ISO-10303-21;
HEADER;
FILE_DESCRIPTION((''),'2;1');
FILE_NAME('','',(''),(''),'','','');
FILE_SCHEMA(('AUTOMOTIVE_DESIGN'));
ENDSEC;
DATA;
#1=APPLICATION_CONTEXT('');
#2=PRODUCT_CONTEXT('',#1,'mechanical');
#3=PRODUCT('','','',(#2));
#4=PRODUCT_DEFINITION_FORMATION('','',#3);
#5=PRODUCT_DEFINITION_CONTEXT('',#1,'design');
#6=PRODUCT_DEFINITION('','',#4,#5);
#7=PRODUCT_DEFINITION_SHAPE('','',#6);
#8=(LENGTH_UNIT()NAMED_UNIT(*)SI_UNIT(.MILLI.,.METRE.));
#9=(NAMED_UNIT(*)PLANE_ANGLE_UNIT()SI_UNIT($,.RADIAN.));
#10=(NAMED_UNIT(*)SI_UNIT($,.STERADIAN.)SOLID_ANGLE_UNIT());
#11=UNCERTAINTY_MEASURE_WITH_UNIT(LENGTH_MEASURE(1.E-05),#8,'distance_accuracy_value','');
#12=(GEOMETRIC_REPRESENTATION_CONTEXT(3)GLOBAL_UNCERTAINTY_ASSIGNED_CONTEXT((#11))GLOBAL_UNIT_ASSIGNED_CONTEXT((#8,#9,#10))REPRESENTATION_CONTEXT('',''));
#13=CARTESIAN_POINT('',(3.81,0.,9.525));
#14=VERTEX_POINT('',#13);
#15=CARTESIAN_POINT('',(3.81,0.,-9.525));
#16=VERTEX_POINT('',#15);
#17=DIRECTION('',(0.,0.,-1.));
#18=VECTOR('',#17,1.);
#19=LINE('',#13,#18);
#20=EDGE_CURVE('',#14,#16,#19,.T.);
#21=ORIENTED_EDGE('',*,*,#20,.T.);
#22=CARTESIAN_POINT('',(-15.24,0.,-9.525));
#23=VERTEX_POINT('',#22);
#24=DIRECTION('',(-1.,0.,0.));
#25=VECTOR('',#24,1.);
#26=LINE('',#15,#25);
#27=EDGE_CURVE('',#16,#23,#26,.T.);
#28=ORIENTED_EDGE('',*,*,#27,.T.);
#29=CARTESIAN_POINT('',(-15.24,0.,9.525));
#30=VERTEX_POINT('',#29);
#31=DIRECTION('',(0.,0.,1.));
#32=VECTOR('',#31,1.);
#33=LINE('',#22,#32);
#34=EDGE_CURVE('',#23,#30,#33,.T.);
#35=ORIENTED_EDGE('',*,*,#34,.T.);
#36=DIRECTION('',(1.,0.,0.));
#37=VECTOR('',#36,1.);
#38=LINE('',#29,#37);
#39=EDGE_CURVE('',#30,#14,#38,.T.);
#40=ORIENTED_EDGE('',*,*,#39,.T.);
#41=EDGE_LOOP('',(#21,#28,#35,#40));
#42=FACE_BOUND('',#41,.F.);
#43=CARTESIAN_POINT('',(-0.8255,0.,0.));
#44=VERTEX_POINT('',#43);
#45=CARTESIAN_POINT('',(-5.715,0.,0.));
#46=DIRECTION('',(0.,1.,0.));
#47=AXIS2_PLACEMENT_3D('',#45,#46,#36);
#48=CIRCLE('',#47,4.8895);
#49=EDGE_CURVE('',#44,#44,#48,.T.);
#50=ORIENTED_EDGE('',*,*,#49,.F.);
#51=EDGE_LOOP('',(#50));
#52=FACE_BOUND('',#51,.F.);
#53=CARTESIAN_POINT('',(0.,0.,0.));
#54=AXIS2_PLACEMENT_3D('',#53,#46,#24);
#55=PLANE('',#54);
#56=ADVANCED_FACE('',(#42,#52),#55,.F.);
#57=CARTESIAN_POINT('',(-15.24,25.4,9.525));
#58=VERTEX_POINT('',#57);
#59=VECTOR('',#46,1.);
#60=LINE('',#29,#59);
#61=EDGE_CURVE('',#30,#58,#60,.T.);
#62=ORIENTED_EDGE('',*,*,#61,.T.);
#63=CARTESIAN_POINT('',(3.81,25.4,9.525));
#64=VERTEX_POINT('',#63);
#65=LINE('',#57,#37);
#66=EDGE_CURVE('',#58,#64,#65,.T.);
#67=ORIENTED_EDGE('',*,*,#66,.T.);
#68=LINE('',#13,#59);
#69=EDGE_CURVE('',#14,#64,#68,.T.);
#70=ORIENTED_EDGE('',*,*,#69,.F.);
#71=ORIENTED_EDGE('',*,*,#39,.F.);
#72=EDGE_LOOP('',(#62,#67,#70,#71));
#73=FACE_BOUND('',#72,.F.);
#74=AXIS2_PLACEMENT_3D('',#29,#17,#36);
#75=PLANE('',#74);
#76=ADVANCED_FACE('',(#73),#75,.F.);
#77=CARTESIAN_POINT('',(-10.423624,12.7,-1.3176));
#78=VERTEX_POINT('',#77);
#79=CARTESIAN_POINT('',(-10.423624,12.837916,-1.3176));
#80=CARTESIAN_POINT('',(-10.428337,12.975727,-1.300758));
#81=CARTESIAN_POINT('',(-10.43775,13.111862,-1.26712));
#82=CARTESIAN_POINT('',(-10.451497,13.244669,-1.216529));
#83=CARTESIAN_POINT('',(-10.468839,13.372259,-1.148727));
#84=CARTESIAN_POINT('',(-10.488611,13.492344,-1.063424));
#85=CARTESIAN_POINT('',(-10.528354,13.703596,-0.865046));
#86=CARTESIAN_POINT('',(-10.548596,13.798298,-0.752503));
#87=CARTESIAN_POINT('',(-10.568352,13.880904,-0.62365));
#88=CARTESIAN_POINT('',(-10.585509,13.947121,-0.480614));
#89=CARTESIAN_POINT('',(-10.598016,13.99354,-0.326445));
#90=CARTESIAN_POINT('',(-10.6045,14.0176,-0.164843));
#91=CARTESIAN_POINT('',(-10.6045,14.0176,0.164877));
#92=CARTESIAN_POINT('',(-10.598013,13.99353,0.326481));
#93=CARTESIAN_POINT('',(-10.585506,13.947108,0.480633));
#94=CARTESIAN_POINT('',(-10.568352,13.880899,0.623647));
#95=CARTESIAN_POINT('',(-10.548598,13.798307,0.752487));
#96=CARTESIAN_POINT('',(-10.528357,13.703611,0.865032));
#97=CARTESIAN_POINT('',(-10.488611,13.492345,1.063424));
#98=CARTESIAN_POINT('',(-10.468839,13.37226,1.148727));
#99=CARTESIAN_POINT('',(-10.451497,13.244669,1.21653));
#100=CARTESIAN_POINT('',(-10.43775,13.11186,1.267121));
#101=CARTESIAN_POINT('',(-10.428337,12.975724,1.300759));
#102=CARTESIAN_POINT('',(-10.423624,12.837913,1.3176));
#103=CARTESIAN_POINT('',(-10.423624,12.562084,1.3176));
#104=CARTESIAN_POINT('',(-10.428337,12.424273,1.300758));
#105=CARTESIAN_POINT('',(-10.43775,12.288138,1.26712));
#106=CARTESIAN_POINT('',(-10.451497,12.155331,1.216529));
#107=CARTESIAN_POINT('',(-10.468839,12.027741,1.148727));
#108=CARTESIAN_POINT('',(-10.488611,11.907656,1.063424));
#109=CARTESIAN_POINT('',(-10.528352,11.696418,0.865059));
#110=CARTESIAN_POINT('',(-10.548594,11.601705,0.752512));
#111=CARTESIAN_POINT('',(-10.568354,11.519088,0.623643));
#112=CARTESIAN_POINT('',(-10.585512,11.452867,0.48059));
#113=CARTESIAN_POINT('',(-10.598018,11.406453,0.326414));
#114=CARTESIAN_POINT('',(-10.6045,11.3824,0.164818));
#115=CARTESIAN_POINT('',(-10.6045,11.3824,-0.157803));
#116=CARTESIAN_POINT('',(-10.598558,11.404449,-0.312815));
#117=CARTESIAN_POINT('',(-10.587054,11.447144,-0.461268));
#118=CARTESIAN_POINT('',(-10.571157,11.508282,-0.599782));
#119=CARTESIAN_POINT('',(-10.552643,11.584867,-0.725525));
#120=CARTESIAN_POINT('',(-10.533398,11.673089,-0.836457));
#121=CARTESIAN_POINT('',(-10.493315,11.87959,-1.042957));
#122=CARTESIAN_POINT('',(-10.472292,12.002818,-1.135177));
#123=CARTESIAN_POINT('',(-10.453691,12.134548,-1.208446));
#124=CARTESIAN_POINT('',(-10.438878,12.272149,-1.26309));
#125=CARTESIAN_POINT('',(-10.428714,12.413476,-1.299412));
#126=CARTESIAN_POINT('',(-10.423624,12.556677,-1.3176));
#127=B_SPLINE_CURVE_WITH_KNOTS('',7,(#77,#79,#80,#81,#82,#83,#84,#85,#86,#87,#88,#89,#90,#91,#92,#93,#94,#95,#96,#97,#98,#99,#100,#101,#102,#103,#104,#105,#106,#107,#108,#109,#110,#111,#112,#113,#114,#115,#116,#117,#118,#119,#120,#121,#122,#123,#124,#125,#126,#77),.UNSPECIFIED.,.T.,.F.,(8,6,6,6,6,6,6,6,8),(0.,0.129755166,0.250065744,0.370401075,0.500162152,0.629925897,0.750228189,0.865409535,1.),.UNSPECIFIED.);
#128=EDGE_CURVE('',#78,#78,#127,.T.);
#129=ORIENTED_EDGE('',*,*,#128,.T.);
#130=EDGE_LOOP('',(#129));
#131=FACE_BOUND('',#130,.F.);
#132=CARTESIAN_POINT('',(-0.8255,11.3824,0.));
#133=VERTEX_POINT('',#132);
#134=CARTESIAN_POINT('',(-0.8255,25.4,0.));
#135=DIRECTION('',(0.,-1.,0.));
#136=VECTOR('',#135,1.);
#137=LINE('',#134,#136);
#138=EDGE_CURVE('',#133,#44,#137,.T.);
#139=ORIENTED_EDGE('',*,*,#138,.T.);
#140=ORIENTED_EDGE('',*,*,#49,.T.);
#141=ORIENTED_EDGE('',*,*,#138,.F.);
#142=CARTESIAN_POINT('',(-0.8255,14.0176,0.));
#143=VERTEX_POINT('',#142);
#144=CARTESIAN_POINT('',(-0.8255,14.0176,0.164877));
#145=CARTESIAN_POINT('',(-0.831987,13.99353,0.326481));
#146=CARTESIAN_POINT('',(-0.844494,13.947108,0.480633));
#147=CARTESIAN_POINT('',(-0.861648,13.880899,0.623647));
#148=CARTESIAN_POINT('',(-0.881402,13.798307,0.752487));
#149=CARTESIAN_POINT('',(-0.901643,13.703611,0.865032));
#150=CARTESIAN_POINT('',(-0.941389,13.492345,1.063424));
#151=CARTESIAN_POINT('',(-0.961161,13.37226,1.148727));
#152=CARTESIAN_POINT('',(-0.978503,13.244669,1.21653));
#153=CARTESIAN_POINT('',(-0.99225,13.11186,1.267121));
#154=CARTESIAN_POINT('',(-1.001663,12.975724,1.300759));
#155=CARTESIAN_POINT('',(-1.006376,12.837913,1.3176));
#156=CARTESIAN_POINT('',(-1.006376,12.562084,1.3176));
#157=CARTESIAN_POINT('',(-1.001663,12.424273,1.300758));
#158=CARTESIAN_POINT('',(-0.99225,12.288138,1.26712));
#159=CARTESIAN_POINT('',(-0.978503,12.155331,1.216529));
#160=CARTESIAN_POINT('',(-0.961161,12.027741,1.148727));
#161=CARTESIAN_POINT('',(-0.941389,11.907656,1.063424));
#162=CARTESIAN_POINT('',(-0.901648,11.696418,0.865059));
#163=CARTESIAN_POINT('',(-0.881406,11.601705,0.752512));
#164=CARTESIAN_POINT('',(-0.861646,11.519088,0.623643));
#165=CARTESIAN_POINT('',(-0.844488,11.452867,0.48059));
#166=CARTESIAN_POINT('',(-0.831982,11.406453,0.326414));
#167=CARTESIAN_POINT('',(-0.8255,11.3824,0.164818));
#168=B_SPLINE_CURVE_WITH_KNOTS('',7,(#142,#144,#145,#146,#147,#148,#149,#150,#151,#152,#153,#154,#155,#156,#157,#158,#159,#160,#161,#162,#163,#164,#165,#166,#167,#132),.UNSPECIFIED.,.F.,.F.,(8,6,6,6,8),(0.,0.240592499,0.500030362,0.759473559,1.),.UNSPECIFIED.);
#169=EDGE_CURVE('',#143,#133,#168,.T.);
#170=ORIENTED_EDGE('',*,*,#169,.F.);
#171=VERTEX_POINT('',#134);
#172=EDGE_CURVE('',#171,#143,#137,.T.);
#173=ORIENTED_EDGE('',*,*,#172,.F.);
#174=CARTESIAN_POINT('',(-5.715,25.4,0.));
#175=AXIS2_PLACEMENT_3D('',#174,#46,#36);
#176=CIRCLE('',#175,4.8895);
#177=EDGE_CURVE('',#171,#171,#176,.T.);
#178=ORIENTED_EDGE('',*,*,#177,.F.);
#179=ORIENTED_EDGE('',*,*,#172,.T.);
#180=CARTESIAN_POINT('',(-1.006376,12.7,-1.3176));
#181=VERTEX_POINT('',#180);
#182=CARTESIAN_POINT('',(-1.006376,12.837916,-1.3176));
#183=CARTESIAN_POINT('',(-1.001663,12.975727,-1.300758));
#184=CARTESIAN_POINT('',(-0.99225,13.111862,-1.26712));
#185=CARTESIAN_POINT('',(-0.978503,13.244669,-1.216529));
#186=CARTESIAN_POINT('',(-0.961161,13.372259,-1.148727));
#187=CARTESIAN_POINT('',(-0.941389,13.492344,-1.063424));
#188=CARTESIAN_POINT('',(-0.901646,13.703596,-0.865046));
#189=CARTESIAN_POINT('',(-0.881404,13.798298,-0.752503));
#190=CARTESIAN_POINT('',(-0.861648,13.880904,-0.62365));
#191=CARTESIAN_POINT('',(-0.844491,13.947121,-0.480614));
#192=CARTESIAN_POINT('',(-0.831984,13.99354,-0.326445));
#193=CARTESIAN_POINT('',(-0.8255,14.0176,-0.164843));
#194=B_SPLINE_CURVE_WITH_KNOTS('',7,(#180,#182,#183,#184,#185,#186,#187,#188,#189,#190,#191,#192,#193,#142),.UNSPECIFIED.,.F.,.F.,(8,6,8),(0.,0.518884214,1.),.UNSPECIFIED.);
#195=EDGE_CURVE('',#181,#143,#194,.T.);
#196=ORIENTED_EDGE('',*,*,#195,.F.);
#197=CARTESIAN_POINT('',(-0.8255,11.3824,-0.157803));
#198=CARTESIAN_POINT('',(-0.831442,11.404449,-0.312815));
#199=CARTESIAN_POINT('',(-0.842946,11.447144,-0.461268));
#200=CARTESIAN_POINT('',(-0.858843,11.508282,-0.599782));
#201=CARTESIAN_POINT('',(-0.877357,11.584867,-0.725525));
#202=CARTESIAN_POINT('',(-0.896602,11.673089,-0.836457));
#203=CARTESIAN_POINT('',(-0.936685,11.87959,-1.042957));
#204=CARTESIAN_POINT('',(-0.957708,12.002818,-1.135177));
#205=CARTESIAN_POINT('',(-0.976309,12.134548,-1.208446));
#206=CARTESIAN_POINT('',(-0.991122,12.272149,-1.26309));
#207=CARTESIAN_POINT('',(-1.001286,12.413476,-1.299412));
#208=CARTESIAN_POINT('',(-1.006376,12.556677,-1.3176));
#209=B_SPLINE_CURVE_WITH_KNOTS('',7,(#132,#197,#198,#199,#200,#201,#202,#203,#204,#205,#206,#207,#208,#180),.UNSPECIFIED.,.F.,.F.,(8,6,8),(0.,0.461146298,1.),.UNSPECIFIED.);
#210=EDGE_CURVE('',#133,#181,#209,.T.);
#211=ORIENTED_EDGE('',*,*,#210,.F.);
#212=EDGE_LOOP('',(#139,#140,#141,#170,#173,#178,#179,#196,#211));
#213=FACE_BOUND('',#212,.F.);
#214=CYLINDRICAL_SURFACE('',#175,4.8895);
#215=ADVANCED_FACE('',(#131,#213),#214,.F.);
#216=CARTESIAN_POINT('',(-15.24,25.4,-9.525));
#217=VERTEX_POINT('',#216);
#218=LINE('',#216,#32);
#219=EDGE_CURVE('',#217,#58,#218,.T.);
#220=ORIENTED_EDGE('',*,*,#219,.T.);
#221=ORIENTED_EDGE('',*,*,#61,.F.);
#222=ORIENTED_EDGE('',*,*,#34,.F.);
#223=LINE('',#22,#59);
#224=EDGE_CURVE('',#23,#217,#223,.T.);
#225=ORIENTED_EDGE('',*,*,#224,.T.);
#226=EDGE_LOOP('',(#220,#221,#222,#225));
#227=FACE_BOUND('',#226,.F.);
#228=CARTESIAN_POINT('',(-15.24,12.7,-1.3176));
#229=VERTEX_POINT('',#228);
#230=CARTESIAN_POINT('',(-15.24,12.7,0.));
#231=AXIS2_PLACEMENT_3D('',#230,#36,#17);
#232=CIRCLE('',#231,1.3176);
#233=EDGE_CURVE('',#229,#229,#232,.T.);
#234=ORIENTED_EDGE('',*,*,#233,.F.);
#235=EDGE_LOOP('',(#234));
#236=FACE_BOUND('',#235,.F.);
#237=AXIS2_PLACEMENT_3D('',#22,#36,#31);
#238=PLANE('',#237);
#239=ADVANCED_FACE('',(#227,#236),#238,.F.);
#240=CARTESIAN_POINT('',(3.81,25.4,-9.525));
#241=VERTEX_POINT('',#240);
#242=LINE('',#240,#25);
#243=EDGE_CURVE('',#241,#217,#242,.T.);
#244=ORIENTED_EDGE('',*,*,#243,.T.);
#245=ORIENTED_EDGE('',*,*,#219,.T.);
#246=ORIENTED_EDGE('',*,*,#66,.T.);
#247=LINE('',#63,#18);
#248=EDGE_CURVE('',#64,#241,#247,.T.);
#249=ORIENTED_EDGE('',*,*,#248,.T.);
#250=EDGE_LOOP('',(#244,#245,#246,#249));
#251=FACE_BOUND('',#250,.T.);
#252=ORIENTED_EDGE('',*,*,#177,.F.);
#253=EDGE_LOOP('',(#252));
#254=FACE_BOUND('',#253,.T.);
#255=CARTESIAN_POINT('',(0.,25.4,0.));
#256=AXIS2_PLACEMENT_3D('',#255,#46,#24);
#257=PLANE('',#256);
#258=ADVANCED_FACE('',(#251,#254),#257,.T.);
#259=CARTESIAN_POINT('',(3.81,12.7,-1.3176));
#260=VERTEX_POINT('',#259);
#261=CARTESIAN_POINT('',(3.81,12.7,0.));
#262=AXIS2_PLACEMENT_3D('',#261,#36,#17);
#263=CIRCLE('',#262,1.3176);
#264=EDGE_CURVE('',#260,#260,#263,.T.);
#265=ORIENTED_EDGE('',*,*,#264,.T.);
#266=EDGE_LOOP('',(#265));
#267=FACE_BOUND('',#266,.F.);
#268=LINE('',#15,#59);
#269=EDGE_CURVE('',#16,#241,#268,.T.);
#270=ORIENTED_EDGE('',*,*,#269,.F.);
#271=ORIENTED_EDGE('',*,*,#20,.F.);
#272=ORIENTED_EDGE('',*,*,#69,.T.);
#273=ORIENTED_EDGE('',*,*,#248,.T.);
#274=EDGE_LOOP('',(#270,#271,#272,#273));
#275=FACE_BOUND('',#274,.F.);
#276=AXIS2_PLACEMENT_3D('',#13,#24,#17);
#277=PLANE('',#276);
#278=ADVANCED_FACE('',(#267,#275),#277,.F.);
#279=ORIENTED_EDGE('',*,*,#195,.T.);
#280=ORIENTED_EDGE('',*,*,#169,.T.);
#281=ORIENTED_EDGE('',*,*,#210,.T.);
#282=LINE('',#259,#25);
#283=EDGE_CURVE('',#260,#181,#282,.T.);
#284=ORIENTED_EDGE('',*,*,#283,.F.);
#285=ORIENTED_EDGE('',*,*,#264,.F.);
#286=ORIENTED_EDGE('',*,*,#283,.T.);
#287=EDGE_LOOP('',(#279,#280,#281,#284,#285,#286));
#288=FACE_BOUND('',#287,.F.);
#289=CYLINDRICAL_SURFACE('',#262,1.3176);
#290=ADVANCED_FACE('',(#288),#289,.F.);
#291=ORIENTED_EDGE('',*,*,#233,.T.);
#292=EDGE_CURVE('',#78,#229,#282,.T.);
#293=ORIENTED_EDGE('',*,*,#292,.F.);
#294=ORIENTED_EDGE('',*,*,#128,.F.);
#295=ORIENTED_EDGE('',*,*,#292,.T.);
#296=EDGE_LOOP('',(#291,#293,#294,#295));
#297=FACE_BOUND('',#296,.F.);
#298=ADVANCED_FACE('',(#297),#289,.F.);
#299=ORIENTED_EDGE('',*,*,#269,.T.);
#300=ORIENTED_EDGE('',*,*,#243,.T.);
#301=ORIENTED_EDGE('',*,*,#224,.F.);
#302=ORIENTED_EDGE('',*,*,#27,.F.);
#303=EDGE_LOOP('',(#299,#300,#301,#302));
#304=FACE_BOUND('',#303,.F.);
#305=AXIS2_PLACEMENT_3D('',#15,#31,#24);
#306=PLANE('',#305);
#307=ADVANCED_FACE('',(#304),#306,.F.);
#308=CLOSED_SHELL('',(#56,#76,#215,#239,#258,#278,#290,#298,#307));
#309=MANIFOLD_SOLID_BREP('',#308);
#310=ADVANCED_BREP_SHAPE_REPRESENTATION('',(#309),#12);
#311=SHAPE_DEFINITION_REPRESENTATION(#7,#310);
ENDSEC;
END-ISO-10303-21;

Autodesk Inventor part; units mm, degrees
ref_plane "YZ Plane" through (0, 0, 0) normal (1, 0, 0) x (0, 1, 0)
ref_plane "XZ Plane" through (0, 0, 0) normal (0, 1, 0) x (-1, 0, 0)
ref_plane "XY Plane" through (0, 0, 0) normal (0, 0, 1) x (1, 0, 0)
sketch "Sketch1" plane through (0, 0, 0) normal (0, 1, 0) x (-1, 0, 0)
  line L0 (15.24, 9.525) -> (-3.81, 9.525)
  line L1 (-3.81, 9.525) -> (-3.81, -9.525)
  line L2 (-3.81, -9.525) -> (15.24, -9.525)
  line L3 (15.24, -9.525) -> (15.24, 9.525)
  point P0 (0, 0)
  dimension "d0" = 19.05
  dimension "d1" = 19.05
extrude "Extrusion1" add sketch "Sketch1" along normal blind 25.4
sketch "Sketch2" plane through (0, 25.4, 0) normal (0, 1, 0) x (1, 0, 0)
  line L0 (-15.24, -9.525) -> (3.81, -9.525) projected
  line L1 (-5.715, -9.525) -> (-5.715, 9.525)
  line L2 (3.81, 9.525) -> (-15.24, 9.525) projected
  line L3 (-15.24, 9.525) -> (-15.24, -9.525) projected
  line L4 (-15.24, 0) -> (3.81, 0)
  line L5 (3.81, -9.525) -> (3.81, 9.525) projected
  point P0 (0, 0)
sketch "Sketch3" plane through (0, 25.4, 0) normal (0, 1, 0) x (1, 0, 0)
  circle A0 centre (-5.715, 0) radius 4.8895 construction
  line L0 (3.81, -9.525) -> (3.81, 9.525) construction
  line L1 (3.81, 9.525) -> (-15.24, 9.525) construction
  circle A1 centre (-5.715, 0) radius 4.8895
  point P0 (0, 0)
  dimension "d4" = 9.779
  dimension "d5" = 9.525
  dimension "d6" = 9.525
extrude "Extrusion2" cut sketch "Sketch3" against normal through all
sketch "Sketch4" plane through (3.81, 0, 9.525) normal (1, 0, 0) x (0, 0, -1)
  circle A0 centre (9.525, 12.7) radius 1.3176
  line L0 (19.05, 0) -> (19.05, 25.4) projected
  line L1 (0, 25.4) -> (19.05, 25.4) projected
  point P0 (9.525, 0)
  dimension "d9" = 2.6353
  dimension "d10" = 9.525
  dimension "d11" = 12.7
extrude "Extrusion3" cut sketch "Sketch4" against normal through all
properties part number "drill holder"
